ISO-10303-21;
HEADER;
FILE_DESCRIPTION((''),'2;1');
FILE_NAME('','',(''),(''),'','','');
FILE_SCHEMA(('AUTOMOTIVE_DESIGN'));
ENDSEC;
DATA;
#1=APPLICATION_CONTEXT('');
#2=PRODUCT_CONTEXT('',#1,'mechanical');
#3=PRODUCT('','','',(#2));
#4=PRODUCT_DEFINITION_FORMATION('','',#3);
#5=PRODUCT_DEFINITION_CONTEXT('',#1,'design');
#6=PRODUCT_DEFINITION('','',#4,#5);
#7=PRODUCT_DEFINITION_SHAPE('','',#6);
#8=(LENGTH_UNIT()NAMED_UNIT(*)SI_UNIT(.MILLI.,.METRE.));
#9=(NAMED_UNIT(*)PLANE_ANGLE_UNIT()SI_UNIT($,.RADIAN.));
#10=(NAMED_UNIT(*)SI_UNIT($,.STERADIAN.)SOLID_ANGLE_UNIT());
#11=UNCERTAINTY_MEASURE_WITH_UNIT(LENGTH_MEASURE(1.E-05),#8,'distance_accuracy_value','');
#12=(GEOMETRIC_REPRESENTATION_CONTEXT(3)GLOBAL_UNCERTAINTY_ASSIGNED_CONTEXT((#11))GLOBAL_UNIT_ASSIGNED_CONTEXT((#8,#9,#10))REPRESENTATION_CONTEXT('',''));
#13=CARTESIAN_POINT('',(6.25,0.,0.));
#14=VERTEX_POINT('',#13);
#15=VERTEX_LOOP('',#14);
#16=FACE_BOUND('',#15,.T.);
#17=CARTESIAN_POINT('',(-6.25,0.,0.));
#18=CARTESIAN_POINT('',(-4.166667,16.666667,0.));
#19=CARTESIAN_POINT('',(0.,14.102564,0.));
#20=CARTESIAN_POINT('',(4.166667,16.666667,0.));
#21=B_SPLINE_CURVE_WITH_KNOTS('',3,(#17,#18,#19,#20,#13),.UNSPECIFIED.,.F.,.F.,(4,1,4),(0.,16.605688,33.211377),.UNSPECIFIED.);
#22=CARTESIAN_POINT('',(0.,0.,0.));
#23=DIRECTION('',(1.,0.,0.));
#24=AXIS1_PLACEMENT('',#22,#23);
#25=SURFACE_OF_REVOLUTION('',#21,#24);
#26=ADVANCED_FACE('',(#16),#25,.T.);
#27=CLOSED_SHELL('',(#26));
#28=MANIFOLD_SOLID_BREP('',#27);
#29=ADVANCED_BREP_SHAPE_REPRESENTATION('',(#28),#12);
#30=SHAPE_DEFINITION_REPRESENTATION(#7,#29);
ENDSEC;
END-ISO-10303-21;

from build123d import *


with BuildPart() as f1:
    # F0 (on Top) → F1 (revolve)
    with BuildSketch(Plane.XY):
        with BuildLine():
            add(Edge.make_bspline(
                [(-6.25, 0), (-4.166667, 16.666667), (0, 14.102564), (4.166667, 16.666667), (6.25, 0)],
                knots=[0, 0, 0, 0, 16.605688, 33.211377, 33.211377, 33.211377, 33.211377], degree=3))
            Line((-6.25, 0), (6.25, 0))
        make_face()
    revolve(axis=Axis((0, 0, 0), (1, 0, 0)))


solid = f1.part
